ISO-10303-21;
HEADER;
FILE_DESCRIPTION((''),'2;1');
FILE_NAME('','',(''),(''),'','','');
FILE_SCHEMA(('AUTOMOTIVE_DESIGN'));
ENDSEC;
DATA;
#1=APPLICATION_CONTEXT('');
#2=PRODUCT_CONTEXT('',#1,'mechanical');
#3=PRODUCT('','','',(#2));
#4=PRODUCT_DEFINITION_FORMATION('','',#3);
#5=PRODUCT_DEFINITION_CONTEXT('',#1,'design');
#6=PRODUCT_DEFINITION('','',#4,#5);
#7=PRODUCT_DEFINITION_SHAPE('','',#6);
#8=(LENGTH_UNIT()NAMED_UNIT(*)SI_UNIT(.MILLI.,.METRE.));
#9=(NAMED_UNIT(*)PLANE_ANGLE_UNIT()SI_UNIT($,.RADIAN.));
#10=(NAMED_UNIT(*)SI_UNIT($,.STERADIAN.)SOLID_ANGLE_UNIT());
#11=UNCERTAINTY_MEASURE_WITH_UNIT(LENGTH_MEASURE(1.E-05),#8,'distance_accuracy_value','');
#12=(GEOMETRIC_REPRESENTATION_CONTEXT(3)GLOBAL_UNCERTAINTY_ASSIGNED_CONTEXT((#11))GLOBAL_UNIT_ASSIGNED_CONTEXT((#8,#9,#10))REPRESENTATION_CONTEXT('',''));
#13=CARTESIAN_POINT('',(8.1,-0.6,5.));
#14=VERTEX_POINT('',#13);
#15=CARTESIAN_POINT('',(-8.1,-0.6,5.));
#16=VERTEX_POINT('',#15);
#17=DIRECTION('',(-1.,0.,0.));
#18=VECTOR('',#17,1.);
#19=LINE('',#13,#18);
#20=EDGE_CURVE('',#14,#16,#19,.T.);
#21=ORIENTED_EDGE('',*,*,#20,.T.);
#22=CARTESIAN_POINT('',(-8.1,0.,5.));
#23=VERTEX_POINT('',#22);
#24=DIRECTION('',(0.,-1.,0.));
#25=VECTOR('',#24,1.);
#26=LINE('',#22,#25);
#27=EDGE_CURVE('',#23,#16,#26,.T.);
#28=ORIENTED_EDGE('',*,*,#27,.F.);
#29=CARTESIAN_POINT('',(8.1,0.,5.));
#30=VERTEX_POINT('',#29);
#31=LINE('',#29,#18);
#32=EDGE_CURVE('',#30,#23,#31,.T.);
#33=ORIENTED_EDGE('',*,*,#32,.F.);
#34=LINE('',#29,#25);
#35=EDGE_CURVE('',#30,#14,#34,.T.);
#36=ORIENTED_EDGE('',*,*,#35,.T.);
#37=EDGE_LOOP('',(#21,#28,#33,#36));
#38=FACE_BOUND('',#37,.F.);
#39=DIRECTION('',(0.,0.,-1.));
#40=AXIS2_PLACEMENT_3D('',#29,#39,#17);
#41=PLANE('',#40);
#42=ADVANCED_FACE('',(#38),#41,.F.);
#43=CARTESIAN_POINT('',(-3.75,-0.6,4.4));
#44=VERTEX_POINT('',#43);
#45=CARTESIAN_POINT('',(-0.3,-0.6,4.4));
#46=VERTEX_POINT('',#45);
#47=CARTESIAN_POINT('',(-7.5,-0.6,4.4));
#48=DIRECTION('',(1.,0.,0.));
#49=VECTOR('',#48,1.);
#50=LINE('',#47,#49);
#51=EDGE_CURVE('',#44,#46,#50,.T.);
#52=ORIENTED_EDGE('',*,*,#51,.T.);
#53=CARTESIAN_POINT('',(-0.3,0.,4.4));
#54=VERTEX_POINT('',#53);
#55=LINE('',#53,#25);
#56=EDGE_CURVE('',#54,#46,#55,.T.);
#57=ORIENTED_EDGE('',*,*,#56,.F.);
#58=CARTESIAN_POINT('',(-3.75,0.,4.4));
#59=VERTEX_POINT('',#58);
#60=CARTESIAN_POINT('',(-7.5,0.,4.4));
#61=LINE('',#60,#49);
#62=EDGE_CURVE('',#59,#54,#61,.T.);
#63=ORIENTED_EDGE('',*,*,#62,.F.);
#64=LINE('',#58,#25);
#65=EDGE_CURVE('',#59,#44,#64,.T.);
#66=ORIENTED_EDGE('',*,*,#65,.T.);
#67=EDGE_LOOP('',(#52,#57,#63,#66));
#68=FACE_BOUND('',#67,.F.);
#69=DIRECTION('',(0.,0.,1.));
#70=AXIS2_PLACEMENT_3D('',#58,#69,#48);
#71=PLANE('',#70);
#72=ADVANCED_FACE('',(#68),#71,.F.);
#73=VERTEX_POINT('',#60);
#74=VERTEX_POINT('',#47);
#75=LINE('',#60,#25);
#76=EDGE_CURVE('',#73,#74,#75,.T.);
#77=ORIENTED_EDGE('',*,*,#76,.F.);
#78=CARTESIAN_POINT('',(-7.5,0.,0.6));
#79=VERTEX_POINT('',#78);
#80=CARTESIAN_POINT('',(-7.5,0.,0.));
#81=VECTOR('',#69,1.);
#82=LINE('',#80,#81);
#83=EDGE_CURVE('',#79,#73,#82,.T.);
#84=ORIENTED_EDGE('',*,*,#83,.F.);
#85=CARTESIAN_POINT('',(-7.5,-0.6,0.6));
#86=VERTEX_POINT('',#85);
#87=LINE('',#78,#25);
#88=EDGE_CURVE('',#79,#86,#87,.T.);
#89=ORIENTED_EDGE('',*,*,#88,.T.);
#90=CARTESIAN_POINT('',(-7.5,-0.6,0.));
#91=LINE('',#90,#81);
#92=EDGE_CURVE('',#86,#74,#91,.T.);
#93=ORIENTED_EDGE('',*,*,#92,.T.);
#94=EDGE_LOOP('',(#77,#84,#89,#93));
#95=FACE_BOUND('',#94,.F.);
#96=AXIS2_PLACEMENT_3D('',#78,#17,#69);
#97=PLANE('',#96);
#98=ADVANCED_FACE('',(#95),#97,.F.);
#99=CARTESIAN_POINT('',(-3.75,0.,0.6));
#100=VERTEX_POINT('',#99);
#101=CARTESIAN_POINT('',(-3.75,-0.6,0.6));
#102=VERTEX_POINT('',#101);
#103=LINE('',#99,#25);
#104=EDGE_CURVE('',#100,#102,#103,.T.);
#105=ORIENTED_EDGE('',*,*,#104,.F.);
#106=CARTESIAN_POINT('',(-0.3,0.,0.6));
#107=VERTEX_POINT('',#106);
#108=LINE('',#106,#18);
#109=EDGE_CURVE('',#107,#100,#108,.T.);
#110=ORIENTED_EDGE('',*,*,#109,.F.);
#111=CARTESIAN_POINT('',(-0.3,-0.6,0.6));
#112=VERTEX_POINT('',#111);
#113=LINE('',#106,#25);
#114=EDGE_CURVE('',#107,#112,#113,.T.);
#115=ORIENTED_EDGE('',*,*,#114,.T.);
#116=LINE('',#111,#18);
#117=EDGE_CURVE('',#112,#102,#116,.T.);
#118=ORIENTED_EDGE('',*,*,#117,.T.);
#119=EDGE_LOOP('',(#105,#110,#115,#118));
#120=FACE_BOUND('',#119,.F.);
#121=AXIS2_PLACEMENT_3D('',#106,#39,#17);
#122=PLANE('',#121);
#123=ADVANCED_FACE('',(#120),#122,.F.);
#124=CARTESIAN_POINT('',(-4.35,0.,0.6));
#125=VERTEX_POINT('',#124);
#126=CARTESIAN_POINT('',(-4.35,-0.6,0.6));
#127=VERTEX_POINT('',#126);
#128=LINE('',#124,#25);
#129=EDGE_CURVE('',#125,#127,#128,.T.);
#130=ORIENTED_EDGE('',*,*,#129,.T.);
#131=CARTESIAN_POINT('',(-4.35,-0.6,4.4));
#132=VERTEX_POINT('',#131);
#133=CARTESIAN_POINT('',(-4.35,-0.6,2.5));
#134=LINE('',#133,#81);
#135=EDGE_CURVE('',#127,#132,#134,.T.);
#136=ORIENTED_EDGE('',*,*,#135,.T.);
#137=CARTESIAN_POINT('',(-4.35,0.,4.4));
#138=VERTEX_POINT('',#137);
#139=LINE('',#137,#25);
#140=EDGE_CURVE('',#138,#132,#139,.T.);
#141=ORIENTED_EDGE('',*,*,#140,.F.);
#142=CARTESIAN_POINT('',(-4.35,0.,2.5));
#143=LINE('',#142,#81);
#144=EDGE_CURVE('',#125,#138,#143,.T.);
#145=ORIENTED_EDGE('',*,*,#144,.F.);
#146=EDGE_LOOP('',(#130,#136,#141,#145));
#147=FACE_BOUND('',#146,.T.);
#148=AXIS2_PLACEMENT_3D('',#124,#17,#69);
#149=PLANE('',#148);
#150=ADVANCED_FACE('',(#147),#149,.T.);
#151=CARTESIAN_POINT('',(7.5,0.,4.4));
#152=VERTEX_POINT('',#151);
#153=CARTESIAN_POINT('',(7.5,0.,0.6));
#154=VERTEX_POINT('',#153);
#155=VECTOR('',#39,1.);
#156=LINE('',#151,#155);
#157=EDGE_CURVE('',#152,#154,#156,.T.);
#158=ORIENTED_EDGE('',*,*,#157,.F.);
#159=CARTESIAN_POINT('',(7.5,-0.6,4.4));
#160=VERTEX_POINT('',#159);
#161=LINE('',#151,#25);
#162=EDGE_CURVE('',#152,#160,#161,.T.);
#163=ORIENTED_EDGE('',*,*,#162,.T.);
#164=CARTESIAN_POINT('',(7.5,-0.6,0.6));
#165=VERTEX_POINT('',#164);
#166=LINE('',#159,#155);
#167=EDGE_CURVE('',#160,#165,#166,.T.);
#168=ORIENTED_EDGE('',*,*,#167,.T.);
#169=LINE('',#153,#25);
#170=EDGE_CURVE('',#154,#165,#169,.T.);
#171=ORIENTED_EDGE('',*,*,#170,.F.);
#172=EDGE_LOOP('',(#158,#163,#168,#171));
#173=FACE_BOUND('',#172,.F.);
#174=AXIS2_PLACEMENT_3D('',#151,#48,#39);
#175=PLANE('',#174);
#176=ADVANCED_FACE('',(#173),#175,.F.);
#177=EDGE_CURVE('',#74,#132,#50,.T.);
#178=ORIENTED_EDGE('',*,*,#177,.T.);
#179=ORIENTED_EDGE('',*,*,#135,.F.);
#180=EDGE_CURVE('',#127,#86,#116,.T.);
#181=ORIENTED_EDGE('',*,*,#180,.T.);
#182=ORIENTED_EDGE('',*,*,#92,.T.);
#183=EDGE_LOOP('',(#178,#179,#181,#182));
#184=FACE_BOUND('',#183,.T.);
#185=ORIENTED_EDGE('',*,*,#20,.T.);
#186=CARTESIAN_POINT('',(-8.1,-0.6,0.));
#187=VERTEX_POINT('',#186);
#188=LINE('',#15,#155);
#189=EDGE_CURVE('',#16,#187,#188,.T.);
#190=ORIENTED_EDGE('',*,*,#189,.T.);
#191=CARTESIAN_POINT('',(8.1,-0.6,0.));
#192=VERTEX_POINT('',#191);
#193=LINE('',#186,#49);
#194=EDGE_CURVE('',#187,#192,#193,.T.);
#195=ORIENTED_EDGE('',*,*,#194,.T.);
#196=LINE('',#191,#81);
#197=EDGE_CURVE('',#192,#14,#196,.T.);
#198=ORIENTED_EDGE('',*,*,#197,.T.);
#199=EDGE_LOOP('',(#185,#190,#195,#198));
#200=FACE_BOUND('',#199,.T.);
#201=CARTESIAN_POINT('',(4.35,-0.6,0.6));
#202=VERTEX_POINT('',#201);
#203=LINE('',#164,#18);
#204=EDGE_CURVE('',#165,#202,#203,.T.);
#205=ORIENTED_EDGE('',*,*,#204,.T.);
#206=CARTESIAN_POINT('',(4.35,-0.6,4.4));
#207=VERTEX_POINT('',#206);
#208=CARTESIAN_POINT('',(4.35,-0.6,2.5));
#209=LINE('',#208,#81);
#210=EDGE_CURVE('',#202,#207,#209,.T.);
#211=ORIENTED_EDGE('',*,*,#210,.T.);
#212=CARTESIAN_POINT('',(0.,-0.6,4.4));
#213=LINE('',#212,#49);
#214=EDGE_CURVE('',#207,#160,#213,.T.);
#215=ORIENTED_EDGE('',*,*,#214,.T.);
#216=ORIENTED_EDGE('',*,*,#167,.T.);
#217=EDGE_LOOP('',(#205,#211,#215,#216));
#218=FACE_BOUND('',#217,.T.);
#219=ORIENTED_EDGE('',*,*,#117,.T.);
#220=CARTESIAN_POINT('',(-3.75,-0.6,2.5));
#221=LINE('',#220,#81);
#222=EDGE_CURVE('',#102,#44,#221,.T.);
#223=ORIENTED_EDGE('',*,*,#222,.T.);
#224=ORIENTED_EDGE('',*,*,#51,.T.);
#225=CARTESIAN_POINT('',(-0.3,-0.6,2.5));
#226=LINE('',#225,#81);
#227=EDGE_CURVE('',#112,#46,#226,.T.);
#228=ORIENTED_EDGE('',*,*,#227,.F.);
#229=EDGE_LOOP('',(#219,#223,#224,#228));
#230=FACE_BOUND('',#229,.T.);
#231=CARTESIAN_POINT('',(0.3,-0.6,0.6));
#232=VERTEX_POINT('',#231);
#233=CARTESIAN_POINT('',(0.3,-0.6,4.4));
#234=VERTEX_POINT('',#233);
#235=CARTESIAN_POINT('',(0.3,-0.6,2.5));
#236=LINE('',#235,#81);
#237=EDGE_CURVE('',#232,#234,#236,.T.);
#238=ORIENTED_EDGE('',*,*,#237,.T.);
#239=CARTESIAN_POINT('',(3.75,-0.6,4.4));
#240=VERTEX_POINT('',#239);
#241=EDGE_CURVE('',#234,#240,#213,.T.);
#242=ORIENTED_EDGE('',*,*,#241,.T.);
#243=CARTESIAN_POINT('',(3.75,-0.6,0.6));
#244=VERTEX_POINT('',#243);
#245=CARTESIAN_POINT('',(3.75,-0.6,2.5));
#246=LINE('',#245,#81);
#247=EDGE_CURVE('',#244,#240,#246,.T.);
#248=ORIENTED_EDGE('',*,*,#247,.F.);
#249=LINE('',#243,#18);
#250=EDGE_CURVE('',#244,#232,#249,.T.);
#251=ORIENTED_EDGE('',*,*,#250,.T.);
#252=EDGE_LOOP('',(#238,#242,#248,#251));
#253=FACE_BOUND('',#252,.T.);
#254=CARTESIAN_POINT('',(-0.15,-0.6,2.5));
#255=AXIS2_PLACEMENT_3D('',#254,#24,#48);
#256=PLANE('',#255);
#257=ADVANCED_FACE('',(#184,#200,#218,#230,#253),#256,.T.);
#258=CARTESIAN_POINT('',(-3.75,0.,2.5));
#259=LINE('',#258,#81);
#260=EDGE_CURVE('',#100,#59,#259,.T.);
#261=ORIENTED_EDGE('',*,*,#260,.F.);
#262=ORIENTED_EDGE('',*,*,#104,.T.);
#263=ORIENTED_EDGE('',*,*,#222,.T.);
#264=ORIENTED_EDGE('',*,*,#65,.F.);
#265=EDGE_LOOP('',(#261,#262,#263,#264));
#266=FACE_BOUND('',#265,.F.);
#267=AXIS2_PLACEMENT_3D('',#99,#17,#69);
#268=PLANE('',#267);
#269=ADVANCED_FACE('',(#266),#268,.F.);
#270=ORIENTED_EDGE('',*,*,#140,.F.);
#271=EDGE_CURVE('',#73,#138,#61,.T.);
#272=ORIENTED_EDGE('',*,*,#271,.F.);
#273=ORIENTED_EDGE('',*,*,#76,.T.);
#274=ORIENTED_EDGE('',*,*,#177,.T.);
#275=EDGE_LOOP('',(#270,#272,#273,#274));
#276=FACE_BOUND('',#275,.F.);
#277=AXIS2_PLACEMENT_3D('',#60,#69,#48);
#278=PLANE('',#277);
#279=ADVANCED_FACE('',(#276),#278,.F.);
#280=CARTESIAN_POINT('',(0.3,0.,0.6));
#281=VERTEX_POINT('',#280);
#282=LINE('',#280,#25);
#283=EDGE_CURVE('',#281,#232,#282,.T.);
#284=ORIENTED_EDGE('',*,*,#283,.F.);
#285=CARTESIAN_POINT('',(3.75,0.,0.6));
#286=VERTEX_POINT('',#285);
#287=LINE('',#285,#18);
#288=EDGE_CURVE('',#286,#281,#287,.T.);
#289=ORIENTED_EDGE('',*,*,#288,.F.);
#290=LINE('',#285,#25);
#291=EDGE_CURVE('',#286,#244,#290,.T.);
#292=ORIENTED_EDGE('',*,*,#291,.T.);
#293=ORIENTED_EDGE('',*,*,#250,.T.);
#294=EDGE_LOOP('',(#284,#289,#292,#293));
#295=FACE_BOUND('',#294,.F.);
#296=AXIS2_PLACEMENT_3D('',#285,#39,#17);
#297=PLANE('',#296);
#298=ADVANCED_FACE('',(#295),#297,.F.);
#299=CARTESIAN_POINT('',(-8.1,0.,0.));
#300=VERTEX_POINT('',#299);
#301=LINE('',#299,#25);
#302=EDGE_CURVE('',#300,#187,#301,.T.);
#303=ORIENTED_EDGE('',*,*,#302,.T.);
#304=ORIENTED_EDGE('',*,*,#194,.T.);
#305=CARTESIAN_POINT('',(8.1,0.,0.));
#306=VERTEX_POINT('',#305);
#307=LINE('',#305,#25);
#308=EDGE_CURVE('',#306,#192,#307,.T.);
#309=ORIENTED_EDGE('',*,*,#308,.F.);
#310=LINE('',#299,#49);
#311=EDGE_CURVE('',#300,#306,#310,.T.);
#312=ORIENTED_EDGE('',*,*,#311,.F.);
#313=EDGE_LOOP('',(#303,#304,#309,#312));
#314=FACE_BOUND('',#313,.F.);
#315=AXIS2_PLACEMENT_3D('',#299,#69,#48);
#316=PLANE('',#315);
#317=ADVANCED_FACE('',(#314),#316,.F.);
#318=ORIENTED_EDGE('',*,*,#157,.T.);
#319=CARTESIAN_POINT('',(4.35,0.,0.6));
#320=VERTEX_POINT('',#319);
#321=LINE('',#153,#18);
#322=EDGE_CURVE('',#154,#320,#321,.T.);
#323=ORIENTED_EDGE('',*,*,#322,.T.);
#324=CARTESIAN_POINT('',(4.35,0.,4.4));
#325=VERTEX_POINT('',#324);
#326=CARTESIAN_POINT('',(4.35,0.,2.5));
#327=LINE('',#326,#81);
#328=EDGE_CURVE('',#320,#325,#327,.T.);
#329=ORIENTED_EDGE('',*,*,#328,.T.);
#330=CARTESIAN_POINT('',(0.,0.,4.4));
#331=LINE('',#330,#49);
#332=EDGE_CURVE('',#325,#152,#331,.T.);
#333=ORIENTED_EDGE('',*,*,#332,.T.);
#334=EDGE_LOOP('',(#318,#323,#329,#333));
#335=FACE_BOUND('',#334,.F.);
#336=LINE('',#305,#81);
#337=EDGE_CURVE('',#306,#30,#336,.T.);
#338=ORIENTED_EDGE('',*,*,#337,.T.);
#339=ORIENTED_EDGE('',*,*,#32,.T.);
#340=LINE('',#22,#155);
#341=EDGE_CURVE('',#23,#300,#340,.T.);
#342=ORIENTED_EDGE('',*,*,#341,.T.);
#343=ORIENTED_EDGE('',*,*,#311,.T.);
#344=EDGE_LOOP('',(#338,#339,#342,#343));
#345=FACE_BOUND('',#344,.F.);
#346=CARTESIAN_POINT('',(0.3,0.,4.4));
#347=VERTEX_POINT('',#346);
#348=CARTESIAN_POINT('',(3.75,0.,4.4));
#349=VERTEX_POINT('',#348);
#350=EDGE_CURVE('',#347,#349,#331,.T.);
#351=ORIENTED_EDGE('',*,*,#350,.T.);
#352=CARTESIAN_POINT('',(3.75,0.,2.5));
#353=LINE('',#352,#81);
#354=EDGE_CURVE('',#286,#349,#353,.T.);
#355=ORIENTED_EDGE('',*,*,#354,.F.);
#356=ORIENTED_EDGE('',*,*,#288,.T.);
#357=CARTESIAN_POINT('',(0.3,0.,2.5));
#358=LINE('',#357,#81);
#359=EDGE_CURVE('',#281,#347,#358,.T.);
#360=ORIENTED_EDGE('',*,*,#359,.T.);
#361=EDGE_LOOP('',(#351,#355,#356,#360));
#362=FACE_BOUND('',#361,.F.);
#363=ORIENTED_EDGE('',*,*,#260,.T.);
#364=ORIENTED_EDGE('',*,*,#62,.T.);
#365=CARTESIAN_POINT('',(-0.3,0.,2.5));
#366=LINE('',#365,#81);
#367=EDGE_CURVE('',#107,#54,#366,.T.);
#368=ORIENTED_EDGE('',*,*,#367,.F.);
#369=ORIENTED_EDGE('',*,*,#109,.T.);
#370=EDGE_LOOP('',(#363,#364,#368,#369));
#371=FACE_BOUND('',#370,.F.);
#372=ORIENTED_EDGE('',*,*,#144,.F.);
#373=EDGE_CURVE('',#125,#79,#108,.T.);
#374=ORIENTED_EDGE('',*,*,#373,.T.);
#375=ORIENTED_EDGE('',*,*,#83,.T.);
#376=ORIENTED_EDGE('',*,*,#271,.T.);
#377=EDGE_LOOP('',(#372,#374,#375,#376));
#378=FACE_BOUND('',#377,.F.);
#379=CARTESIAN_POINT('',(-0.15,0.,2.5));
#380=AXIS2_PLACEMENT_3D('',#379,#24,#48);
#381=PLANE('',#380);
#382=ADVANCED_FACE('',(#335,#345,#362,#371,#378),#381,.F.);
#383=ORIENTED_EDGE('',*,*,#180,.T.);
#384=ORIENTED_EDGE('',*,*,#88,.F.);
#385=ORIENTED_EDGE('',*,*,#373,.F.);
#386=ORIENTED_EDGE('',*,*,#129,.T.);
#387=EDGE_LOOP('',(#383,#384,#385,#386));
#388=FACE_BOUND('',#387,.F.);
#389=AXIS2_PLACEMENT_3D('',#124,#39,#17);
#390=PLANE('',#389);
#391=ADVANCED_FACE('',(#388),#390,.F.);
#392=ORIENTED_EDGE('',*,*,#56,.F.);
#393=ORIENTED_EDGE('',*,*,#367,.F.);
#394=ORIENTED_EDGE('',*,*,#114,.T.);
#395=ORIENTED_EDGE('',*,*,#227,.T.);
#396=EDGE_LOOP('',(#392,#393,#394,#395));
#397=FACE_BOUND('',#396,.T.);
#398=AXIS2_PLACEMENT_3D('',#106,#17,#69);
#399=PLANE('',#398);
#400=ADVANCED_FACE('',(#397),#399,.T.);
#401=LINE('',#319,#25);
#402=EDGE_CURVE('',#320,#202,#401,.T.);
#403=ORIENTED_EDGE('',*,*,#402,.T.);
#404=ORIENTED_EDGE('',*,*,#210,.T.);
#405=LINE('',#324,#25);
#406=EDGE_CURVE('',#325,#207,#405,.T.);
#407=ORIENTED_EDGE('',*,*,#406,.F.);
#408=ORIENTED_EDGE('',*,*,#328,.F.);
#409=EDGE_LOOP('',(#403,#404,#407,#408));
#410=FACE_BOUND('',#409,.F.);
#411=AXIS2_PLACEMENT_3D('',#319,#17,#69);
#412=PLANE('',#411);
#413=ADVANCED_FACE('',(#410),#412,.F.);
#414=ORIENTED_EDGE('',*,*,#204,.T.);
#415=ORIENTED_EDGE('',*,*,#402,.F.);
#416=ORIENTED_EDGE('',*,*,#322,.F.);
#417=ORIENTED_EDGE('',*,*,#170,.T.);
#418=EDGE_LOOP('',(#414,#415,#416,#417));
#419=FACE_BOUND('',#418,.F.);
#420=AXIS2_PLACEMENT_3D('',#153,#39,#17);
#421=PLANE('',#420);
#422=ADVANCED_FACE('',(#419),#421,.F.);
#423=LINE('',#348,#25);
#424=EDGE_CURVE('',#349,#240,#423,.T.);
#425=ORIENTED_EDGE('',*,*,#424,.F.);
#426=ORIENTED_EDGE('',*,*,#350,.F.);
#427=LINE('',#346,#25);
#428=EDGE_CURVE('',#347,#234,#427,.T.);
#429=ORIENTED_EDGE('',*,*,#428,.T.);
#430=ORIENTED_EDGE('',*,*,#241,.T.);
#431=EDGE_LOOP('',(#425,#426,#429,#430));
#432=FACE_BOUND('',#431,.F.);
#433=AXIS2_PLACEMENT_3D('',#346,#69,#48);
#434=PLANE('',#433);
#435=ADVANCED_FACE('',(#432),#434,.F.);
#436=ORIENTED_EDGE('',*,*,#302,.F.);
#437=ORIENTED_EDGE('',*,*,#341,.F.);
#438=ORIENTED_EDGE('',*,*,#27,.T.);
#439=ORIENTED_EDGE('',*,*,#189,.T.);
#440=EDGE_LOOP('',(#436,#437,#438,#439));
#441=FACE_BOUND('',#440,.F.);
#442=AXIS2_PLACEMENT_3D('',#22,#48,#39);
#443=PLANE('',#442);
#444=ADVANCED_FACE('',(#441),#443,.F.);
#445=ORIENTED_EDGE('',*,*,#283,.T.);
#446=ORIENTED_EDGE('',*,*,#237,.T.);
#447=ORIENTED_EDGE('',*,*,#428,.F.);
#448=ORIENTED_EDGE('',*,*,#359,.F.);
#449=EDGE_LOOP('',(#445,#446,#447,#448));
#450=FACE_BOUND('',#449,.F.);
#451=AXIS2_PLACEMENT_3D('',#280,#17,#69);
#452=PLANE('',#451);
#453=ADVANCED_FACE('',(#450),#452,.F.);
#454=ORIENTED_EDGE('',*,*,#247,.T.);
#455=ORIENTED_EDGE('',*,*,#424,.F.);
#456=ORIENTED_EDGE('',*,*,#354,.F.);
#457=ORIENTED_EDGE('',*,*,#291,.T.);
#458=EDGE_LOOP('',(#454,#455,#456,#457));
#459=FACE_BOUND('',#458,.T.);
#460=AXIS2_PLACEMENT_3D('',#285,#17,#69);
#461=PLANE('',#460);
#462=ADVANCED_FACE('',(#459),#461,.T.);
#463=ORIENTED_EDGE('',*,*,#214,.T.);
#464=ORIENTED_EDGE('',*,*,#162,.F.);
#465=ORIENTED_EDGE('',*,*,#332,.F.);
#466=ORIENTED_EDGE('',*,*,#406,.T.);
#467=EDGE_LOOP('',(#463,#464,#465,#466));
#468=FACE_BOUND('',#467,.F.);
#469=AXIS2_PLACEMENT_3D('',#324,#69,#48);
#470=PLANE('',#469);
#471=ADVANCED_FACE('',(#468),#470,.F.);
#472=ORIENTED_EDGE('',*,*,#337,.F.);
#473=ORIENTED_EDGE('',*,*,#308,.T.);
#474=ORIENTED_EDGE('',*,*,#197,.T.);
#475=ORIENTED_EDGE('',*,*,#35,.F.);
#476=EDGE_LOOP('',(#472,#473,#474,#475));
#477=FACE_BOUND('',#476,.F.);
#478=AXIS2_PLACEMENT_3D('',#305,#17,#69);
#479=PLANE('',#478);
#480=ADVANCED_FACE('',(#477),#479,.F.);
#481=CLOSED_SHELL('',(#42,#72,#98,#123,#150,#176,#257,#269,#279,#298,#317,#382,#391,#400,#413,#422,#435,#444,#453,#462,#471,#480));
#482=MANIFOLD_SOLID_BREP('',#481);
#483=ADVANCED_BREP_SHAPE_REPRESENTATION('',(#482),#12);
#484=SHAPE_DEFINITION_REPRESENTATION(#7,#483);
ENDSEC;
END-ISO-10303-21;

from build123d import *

# Parameters (mm, degrees)
F0_W     = 0.3
F0_H     = 3.8
F0_W_2   = 0.6
F0_H_2   = 0.6
F1_DEPTH = 0.6


with BuildPart() as f1:
    # F0 (on Front) → F1 (new body)
    with BuildSketch(Plane.XZ):
        with Locations((-0.15, 2.5)):
            Rectangle(F0_W, F0_H)
        with Locations((-7.8, 0.3)):
            Rectangle(F0_W_2, F0_H_2)
        with Locations((-7.8, 2.5)):
            Rectangle(F0_W_2, F0_H)
        Polygon((0, 5), (0, 4.4), (0.3, 4.4), (3.75, 4.4), (4.35, 4.4), (7.5, 4.4), (7.5, 5), align=None)
        Polygon((-0.3, 4.4), (0, 4.4), (0, 5), (-7.5, 5), (-7.5, 4.4), (-4.35, 4.4), (-3.75, 4.4), align=None)
        with Locations((0.15, 2.5)):
            Rectangle(F0_W, F0_H)
        with Locations((4.05, 2.5)):
            Rectangle(F0_W_2, F0_H)
        with Locations((7.8, 2.5)):
            Rectangle(F0_W_2, F0_H)
        with Locations((-7.8, 4.7)):
            Rectangle(F0_W_2, F0_H_2)
        Polygon((-7.5, 0), (0, 0), (0, 0.6), (-0.3, 0.6), (-3.75, 0.6), (-4.35, 0.6), (-7.5, 0.6), align=None)
        with Locations((7.8, 0.3)):
            Rectangle(F0_W_2, F0_H_2)
        with Locations((-4.05, 2.5)):
            Rectangle(F0_W_2, F0_H)
        Polygon((0, 0.6), (0, 0), (7.5, 0), (7.5, 0.6), (4.35, 0.6), (3.75, 0.6), (0.3, 0.6), align=None)
        with Locations((7.8, 4.7)):
            Rectangle(F0_W_2, F0_H_2)
    extrude(amount=F1_DEPTH)


solid = f1.part
